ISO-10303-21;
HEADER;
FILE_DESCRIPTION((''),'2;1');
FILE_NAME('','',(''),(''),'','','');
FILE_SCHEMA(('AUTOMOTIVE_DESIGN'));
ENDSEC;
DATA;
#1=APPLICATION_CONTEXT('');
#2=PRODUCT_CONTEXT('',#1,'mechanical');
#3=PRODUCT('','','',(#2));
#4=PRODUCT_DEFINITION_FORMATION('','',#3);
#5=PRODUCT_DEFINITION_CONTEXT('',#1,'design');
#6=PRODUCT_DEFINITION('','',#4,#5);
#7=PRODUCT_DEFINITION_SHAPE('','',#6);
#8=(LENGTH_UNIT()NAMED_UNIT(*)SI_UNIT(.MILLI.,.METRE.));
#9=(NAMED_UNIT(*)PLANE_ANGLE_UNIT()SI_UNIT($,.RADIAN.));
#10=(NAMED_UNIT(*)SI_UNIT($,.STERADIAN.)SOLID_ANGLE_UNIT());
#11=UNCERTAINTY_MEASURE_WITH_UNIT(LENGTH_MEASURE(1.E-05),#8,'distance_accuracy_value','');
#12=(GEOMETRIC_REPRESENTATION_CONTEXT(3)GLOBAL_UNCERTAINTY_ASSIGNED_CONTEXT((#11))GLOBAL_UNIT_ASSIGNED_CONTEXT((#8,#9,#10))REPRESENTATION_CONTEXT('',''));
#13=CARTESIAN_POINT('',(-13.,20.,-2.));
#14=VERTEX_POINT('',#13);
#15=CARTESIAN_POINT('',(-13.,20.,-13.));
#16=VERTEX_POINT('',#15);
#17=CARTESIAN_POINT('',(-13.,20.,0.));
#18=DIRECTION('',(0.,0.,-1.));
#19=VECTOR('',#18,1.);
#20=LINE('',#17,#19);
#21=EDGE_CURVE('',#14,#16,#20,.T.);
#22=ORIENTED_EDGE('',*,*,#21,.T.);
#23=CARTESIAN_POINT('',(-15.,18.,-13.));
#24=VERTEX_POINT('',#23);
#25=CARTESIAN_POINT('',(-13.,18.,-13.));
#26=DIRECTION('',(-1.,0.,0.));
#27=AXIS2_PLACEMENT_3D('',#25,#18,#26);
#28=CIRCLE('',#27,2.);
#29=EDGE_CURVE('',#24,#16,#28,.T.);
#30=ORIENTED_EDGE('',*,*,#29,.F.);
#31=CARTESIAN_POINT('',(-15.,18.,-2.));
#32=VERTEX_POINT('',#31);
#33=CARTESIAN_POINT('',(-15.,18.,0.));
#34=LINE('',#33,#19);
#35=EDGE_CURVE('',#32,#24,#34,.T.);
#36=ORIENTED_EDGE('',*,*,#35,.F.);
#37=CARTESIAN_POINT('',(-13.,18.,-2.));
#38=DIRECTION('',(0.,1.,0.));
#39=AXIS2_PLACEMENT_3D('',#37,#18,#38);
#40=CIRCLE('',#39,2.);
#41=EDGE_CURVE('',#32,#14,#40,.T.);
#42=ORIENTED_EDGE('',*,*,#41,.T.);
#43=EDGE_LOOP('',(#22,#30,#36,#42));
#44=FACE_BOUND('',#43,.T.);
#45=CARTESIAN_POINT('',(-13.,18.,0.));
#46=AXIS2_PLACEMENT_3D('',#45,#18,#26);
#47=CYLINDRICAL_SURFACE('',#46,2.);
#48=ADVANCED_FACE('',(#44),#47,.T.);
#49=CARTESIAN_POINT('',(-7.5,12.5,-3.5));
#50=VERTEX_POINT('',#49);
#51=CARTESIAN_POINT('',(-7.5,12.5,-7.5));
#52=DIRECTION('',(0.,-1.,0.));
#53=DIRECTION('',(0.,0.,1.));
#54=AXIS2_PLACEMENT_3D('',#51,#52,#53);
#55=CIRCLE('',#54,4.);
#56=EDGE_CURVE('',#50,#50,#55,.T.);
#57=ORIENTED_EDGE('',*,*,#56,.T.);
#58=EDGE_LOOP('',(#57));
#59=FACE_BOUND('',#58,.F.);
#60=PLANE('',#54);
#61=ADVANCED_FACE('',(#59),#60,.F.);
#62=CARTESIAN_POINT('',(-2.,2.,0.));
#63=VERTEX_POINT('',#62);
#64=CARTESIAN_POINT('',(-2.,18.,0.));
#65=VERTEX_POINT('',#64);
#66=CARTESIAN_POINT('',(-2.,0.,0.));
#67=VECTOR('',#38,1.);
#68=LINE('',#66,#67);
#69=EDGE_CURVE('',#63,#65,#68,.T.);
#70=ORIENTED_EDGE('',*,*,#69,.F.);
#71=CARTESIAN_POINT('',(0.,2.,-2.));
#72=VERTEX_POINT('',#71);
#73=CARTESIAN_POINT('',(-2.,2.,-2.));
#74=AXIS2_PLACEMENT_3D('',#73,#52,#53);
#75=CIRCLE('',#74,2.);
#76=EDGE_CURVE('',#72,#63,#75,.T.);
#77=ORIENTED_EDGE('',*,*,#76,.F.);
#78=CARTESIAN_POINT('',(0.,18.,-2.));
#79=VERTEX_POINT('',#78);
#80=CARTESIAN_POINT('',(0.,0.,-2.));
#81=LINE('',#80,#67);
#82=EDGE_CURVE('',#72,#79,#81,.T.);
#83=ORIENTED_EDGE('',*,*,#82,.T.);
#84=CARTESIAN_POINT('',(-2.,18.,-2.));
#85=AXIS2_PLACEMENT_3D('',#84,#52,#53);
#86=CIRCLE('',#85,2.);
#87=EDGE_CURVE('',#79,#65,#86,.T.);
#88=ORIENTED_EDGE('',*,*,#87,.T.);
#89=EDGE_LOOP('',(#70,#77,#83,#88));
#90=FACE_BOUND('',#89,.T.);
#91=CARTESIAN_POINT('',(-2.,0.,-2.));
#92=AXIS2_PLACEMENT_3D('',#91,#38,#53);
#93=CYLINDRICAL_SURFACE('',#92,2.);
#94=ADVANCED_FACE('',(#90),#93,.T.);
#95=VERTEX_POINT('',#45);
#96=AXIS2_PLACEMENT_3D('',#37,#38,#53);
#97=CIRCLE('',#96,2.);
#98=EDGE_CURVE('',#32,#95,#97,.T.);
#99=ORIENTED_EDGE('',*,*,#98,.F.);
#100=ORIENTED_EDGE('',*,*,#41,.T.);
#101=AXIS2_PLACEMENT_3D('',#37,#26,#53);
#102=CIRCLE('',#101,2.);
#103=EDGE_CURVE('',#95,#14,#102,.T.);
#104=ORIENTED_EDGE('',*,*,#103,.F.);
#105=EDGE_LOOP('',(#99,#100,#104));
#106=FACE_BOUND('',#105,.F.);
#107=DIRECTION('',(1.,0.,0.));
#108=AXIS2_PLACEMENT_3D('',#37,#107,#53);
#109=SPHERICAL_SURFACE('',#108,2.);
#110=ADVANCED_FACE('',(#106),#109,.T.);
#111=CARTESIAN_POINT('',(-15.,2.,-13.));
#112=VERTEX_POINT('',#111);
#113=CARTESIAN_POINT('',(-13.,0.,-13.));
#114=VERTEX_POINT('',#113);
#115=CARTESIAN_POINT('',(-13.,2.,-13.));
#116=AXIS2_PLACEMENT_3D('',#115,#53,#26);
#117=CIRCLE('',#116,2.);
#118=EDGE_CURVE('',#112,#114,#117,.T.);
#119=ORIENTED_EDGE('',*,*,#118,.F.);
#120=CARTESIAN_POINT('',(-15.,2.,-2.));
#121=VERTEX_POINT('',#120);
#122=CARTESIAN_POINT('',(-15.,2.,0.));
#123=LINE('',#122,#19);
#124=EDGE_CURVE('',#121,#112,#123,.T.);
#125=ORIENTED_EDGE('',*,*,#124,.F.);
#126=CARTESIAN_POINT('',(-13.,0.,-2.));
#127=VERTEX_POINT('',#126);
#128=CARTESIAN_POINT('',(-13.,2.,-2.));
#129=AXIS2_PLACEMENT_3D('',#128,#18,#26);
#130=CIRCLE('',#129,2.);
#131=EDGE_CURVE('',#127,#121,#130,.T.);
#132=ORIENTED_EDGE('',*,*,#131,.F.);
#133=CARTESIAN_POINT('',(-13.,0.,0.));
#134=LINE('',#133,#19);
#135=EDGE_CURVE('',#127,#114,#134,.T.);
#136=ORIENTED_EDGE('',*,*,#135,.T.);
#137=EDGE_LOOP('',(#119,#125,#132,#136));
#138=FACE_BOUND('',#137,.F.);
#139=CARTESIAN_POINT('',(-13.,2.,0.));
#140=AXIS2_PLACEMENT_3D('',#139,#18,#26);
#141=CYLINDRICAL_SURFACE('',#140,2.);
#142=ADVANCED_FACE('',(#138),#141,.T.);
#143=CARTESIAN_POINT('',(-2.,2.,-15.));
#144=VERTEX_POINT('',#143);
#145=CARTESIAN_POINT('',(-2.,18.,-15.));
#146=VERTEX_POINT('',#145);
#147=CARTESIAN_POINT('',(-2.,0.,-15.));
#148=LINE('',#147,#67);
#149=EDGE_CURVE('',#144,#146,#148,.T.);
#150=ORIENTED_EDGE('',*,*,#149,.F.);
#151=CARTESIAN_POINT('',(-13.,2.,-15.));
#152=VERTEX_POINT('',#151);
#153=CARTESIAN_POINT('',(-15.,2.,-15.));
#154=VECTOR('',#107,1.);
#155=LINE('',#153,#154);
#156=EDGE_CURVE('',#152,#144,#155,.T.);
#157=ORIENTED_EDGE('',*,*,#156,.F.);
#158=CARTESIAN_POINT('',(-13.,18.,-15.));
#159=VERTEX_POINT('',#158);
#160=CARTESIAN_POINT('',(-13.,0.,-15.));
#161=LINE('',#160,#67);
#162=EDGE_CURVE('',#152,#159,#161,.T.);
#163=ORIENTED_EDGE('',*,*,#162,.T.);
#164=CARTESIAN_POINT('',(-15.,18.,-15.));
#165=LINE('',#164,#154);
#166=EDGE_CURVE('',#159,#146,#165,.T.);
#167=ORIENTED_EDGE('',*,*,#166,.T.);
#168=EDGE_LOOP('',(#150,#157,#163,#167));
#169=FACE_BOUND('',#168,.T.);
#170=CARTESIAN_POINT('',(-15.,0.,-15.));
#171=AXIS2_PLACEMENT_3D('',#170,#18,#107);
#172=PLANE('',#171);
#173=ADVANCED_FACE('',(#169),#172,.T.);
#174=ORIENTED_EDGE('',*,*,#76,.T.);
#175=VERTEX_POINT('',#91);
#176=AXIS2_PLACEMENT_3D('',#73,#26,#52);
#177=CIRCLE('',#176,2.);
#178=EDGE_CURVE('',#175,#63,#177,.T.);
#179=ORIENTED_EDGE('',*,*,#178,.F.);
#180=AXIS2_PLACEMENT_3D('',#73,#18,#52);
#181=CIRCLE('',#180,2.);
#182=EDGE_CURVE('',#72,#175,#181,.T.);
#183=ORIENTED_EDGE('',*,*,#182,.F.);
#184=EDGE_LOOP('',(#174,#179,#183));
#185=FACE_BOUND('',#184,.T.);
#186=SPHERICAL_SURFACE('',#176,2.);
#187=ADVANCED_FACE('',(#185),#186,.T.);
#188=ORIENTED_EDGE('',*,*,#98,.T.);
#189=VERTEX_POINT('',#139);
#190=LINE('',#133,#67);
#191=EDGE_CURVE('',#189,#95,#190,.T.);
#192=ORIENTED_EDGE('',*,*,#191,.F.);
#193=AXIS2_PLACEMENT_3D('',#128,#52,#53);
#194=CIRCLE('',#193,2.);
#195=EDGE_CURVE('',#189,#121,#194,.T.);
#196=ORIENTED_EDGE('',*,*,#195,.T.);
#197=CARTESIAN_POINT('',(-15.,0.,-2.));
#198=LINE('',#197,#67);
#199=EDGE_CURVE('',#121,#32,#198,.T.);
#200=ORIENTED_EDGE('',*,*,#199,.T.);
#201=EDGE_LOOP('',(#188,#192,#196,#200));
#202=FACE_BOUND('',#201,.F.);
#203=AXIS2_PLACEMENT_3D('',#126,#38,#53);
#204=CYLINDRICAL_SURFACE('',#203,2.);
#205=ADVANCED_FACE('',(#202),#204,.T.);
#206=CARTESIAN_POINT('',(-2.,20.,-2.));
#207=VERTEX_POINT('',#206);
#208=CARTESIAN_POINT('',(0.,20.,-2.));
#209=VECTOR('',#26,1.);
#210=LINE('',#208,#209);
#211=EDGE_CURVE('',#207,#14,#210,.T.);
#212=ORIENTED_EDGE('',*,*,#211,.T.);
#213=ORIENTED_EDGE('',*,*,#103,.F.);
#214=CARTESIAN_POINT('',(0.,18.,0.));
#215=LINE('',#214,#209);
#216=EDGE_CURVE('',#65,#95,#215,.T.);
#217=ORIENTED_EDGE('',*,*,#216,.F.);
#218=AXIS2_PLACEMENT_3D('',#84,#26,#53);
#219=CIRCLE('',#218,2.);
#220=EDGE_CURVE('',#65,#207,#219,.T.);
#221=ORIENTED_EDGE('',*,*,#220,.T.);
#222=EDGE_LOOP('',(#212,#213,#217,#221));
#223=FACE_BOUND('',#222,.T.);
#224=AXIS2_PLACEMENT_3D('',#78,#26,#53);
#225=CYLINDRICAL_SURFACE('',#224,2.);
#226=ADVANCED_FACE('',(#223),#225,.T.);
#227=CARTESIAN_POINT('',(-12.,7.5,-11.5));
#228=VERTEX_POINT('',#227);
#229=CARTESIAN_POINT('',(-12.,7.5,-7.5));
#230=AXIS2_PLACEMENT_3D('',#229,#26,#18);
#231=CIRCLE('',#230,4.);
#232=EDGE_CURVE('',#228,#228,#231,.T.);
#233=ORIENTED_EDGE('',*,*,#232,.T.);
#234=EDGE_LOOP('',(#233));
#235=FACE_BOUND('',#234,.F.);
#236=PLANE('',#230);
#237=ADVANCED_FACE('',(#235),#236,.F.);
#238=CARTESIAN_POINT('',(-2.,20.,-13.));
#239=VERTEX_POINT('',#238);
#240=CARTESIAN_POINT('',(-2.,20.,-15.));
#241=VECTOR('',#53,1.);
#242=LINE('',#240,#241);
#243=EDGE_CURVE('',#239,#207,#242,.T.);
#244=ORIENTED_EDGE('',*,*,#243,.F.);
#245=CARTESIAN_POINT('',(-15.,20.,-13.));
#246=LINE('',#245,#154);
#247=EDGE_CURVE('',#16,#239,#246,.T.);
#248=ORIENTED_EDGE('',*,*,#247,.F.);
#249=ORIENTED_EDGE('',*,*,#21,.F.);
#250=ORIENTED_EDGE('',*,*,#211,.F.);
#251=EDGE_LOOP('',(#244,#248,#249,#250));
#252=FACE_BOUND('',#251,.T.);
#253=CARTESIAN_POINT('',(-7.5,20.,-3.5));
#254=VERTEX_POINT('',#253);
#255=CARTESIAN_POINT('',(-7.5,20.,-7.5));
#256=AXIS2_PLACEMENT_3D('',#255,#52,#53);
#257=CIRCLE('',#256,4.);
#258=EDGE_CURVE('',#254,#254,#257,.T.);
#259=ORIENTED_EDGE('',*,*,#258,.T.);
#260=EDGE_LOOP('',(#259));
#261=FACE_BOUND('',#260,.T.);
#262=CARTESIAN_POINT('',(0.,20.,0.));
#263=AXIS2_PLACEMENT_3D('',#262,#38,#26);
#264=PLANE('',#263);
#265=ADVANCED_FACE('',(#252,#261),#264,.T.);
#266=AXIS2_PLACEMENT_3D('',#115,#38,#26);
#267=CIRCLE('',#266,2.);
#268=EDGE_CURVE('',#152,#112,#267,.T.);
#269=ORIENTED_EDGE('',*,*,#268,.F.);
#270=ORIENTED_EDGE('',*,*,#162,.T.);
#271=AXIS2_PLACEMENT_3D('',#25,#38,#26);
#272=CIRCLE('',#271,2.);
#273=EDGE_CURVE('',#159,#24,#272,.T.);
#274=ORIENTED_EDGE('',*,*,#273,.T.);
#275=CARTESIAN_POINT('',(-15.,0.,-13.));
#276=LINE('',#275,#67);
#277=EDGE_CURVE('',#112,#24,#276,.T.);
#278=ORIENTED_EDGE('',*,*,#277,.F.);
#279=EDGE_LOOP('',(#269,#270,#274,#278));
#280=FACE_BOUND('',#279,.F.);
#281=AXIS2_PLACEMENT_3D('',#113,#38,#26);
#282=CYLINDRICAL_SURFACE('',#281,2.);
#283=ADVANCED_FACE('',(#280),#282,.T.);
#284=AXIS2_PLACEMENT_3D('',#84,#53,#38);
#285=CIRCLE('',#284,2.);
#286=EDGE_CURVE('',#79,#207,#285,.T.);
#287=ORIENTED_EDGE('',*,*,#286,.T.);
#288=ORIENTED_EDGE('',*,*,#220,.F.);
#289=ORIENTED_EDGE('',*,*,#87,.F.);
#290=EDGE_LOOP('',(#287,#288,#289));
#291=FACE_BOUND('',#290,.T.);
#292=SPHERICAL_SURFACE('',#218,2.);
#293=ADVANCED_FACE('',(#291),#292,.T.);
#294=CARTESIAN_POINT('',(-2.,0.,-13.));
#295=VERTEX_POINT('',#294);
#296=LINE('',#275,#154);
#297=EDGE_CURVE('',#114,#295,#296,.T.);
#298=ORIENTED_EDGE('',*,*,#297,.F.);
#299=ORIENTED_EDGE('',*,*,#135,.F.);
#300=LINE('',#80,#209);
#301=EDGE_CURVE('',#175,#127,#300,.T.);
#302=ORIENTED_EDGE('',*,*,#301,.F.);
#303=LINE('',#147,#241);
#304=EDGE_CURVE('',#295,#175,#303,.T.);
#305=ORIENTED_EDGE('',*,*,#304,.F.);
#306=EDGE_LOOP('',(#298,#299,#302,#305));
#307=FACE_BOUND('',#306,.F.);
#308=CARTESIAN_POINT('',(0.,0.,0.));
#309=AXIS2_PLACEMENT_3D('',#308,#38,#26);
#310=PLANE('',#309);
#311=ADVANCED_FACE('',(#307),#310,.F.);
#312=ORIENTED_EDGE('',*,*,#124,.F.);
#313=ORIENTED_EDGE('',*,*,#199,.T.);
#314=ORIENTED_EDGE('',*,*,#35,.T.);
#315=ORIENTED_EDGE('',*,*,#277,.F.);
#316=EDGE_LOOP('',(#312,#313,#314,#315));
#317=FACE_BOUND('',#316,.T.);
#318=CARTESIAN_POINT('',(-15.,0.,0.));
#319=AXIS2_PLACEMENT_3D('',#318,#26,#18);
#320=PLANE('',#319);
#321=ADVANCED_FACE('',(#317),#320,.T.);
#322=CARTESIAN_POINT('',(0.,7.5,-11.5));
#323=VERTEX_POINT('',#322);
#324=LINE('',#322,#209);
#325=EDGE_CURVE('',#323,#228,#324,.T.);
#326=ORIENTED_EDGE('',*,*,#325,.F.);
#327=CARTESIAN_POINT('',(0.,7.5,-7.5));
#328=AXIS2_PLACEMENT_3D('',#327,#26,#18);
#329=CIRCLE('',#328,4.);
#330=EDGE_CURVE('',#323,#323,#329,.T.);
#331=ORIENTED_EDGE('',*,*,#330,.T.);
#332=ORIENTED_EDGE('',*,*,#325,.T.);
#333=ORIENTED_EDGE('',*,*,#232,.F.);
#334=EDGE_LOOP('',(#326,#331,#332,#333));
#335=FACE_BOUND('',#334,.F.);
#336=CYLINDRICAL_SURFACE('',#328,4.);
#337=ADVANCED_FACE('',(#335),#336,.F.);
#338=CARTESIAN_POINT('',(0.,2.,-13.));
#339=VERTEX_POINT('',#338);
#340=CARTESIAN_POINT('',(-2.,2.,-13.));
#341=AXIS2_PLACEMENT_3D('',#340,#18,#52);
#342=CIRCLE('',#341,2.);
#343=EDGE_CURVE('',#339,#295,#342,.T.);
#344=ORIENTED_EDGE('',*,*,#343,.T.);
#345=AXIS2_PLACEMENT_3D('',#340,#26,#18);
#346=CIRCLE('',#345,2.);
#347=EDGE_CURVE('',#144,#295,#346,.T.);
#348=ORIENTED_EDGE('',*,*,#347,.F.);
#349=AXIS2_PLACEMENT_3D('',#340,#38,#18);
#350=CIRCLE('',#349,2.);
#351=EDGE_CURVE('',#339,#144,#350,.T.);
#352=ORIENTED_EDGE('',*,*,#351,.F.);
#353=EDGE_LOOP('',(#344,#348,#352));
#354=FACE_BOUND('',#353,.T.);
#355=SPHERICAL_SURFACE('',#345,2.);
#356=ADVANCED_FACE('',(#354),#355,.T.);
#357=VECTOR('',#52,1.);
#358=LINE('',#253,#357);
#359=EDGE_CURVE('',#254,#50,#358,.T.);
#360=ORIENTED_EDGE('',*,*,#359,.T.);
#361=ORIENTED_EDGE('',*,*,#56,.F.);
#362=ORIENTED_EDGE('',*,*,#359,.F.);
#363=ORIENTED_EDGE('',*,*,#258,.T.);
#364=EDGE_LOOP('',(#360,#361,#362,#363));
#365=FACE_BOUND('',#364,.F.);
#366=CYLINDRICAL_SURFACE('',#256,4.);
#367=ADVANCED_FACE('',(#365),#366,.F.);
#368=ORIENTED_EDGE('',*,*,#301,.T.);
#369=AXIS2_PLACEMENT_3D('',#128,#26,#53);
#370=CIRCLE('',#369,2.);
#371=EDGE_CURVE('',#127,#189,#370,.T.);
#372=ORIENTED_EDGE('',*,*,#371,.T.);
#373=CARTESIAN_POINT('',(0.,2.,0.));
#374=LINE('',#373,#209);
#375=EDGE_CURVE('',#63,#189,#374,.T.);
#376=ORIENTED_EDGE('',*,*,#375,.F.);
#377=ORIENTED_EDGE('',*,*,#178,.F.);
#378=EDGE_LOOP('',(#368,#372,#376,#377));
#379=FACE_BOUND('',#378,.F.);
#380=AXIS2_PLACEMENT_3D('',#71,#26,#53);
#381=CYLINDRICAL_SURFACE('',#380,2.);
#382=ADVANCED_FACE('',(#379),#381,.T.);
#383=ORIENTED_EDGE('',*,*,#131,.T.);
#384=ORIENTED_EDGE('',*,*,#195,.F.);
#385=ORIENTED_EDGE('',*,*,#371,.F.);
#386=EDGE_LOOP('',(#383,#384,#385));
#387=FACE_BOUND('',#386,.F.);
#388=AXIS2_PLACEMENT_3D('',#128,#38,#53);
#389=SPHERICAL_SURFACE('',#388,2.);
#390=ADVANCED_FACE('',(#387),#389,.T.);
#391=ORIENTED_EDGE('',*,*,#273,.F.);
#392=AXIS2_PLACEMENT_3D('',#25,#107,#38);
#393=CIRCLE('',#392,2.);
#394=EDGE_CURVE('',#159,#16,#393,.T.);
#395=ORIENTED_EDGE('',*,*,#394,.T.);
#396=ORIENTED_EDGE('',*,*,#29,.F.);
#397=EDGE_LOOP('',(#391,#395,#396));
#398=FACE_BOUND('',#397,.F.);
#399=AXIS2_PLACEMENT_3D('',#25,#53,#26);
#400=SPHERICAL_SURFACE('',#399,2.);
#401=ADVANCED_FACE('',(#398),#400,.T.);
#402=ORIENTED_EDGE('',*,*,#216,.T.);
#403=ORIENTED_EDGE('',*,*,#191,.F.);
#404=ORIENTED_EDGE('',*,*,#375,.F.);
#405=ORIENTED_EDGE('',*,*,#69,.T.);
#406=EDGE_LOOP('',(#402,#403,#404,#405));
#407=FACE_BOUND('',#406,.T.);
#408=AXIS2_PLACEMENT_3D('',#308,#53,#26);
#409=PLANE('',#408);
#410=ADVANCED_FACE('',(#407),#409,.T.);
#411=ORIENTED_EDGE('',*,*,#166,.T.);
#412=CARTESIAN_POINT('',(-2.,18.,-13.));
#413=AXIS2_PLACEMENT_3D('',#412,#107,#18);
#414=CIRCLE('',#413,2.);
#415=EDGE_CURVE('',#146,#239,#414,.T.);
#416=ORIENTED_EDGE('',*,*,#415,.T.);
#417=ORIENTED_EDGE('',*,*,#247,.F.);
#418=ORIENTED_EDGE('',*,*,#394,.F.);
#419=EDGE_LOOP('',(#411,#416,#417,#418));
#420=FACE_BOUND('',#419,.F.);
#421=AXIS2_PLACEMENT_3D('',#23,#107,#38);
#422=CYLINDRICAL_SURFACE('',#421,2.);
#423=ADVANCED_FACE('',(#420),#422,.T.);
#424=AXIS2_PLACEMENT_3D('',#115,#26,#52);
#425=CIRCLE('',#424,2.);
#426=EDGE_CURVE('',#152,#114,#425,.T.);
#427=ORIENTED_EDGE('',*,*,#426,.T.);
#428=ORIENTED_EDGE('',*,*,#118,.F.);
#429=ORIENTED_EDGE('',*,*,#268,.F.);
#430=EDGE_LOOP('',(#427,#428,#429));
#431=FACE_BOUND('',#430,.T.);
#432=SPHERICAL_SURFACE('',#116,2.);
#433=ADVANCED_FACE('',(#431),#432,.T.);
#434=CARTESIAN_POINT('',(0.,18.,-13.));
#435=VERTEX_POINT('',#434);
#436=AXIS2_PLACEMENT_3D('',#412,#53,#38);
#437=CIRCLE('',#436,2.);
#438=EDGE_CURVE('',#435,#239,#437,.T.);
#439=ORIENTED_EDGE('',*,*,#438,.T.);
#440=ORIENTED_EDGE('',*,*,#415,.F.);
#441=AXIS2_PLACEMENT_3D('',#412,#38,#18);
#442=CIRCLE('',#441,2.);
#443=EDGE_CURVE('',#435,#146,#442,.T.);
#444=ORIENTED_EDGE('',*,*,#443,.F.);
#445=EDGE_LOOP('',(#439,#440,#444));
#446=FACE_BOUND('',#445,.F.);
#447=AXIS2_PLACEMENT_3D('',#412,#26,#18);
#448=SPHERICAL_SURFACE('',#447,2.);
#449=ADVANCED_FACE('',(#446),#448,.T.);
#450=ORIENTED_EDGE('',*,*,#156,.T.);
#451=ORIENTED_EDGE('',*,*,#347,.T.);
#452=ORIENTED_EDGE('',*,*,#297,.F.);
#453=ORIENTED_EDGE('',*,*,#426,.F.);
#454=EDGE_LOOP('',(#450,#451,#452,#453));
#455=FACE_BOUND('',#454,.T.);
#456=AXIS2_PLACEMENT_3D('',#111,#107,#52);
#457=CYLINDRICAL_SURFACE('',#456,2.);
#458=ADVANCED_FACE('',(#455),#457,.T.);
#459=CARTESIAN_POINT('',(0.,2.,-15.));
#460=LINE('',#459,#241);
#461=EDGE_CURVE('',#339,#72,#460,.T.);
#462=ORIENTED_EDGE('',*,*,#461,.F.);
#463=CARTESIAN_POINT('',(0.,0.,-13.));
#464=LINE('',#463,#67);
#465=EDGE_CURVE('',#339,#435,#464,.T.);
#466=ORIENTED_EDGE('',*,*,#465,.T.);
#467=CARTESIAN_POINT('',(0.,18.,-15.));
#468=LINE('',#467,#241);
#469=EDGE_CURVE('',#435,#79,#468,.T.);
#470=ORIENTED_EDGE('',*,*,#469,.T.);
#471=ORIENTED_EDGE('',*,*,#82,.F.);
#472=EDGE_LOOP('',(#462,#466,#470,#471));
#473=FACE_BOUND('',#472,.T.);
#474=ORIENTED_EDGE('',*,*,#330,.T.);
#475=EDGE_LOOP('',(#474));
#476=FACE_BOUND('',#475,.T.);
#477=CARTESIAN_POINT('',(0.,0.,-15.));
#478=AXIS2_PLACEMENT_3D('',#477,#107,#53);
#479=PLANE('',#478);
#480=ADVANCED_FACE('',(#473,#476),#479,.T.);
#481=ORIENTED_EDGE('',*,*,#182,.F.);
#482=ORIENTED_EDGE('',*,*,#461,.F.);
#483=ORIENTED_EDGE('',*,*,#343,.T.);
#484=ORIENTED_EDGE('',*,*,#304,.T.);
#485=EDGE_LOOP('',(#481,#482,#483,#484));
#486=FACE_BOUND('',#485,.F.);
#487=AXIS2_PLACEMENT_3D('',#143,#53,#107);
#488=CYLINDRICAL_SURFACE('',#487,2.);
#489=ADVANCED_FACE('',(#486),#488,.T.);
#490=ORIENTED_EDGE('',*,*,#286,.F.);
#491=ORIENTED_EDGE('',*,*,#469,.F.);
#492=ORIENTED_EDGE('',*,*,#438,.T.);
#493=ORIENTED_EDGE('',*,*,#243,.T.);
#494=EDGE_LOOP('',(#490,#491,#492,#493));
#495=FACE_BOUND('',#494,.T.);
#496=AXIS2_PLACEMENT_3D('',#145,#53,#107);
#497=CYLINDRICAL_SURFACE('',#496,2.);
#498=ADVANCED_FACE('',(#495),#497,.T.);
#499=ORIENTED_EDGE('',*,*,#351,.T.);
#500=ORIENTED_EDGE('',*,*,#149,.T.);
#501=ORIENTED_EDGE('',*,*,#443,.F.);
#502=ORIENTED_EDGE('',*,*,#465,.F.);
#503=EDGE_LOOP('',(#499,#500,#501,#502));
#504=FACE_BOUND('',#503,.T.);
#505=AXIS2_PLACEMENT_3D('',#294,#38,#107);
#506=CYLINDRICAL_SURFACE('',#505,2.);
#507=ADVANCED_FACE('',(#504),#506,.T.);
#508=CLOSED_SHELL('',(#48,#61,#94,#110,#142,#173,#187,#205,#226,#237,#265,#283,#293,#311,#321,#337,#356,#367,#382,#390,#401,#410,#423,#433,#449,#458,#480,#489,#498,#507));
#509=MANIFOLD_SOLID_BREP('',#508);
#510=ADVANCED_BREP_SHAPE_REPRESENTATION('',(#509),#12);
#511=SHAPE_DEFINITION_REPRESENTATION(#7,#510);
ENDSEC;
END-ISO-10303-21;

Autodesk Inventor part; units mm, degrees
ref_plane "YZ Plane" through (0, 0, 0) normal (1, 0, 0) x (0, 1, 0)
ref_plane "XZ Plane" through (0, 0, 0) normal (0, 1, 0) x (-1, 0, 0)
ref_plane "XY Plane" through (0, 0, 0) normal (0, 0, 1) x (1, 0, 0)
sketch "Esboço1" plane through (0, 0, 0) normal (0, 1, 0) x (-1, 0, 0)
  line L0 (0, 0) -> (15, 0)
  line L1 (15, 0) -> (15, -15)
  line L2 (15, -15) -> (0, -15)
  line L3 (0, -15) -> (0, 0)
  dimension "d0" = 15
  dimension "d1" = 15
extrude "Extrusão1" add sketch "Esboço1" along normal blind 20
sketch "Esboço2" plane through (0, 0, 0) normal (1, 0, 0) x (0, 0, -1)
  point P0 (0, 0)
  point P1 (7.5, 7.5)
hole "Furo1" at (0, 7.5, -7.5) direction (-1, 0, 0) diameter 8 depth 12
sketch "Esboço4" plane through (0, 20, 0) normal (0, 1, 0) x (1, 0, 0)
  point P0 (0, 0)
  point P1 (-7.5, 7.5)
hole "Furo2" at (-7.5, 20, -7.5) direction (0, -1, 0) diameter 8 depth 7.5
fillet "Arredondamento1" radius 2 12 edges at (-7.5, 20, 0) (-15, 10, 0) (-15, 20, -7.5) (-7.5, 0, 0) (-15, 0, -7.5) (-15, 10, -15) (-7.5, 0, -15) (-7.5, 20, -15) (0, 10, -15) (0, 0, -7.5) (0, 10, 0) (0, 20, -7.5)
properties part number "cantoneira"
